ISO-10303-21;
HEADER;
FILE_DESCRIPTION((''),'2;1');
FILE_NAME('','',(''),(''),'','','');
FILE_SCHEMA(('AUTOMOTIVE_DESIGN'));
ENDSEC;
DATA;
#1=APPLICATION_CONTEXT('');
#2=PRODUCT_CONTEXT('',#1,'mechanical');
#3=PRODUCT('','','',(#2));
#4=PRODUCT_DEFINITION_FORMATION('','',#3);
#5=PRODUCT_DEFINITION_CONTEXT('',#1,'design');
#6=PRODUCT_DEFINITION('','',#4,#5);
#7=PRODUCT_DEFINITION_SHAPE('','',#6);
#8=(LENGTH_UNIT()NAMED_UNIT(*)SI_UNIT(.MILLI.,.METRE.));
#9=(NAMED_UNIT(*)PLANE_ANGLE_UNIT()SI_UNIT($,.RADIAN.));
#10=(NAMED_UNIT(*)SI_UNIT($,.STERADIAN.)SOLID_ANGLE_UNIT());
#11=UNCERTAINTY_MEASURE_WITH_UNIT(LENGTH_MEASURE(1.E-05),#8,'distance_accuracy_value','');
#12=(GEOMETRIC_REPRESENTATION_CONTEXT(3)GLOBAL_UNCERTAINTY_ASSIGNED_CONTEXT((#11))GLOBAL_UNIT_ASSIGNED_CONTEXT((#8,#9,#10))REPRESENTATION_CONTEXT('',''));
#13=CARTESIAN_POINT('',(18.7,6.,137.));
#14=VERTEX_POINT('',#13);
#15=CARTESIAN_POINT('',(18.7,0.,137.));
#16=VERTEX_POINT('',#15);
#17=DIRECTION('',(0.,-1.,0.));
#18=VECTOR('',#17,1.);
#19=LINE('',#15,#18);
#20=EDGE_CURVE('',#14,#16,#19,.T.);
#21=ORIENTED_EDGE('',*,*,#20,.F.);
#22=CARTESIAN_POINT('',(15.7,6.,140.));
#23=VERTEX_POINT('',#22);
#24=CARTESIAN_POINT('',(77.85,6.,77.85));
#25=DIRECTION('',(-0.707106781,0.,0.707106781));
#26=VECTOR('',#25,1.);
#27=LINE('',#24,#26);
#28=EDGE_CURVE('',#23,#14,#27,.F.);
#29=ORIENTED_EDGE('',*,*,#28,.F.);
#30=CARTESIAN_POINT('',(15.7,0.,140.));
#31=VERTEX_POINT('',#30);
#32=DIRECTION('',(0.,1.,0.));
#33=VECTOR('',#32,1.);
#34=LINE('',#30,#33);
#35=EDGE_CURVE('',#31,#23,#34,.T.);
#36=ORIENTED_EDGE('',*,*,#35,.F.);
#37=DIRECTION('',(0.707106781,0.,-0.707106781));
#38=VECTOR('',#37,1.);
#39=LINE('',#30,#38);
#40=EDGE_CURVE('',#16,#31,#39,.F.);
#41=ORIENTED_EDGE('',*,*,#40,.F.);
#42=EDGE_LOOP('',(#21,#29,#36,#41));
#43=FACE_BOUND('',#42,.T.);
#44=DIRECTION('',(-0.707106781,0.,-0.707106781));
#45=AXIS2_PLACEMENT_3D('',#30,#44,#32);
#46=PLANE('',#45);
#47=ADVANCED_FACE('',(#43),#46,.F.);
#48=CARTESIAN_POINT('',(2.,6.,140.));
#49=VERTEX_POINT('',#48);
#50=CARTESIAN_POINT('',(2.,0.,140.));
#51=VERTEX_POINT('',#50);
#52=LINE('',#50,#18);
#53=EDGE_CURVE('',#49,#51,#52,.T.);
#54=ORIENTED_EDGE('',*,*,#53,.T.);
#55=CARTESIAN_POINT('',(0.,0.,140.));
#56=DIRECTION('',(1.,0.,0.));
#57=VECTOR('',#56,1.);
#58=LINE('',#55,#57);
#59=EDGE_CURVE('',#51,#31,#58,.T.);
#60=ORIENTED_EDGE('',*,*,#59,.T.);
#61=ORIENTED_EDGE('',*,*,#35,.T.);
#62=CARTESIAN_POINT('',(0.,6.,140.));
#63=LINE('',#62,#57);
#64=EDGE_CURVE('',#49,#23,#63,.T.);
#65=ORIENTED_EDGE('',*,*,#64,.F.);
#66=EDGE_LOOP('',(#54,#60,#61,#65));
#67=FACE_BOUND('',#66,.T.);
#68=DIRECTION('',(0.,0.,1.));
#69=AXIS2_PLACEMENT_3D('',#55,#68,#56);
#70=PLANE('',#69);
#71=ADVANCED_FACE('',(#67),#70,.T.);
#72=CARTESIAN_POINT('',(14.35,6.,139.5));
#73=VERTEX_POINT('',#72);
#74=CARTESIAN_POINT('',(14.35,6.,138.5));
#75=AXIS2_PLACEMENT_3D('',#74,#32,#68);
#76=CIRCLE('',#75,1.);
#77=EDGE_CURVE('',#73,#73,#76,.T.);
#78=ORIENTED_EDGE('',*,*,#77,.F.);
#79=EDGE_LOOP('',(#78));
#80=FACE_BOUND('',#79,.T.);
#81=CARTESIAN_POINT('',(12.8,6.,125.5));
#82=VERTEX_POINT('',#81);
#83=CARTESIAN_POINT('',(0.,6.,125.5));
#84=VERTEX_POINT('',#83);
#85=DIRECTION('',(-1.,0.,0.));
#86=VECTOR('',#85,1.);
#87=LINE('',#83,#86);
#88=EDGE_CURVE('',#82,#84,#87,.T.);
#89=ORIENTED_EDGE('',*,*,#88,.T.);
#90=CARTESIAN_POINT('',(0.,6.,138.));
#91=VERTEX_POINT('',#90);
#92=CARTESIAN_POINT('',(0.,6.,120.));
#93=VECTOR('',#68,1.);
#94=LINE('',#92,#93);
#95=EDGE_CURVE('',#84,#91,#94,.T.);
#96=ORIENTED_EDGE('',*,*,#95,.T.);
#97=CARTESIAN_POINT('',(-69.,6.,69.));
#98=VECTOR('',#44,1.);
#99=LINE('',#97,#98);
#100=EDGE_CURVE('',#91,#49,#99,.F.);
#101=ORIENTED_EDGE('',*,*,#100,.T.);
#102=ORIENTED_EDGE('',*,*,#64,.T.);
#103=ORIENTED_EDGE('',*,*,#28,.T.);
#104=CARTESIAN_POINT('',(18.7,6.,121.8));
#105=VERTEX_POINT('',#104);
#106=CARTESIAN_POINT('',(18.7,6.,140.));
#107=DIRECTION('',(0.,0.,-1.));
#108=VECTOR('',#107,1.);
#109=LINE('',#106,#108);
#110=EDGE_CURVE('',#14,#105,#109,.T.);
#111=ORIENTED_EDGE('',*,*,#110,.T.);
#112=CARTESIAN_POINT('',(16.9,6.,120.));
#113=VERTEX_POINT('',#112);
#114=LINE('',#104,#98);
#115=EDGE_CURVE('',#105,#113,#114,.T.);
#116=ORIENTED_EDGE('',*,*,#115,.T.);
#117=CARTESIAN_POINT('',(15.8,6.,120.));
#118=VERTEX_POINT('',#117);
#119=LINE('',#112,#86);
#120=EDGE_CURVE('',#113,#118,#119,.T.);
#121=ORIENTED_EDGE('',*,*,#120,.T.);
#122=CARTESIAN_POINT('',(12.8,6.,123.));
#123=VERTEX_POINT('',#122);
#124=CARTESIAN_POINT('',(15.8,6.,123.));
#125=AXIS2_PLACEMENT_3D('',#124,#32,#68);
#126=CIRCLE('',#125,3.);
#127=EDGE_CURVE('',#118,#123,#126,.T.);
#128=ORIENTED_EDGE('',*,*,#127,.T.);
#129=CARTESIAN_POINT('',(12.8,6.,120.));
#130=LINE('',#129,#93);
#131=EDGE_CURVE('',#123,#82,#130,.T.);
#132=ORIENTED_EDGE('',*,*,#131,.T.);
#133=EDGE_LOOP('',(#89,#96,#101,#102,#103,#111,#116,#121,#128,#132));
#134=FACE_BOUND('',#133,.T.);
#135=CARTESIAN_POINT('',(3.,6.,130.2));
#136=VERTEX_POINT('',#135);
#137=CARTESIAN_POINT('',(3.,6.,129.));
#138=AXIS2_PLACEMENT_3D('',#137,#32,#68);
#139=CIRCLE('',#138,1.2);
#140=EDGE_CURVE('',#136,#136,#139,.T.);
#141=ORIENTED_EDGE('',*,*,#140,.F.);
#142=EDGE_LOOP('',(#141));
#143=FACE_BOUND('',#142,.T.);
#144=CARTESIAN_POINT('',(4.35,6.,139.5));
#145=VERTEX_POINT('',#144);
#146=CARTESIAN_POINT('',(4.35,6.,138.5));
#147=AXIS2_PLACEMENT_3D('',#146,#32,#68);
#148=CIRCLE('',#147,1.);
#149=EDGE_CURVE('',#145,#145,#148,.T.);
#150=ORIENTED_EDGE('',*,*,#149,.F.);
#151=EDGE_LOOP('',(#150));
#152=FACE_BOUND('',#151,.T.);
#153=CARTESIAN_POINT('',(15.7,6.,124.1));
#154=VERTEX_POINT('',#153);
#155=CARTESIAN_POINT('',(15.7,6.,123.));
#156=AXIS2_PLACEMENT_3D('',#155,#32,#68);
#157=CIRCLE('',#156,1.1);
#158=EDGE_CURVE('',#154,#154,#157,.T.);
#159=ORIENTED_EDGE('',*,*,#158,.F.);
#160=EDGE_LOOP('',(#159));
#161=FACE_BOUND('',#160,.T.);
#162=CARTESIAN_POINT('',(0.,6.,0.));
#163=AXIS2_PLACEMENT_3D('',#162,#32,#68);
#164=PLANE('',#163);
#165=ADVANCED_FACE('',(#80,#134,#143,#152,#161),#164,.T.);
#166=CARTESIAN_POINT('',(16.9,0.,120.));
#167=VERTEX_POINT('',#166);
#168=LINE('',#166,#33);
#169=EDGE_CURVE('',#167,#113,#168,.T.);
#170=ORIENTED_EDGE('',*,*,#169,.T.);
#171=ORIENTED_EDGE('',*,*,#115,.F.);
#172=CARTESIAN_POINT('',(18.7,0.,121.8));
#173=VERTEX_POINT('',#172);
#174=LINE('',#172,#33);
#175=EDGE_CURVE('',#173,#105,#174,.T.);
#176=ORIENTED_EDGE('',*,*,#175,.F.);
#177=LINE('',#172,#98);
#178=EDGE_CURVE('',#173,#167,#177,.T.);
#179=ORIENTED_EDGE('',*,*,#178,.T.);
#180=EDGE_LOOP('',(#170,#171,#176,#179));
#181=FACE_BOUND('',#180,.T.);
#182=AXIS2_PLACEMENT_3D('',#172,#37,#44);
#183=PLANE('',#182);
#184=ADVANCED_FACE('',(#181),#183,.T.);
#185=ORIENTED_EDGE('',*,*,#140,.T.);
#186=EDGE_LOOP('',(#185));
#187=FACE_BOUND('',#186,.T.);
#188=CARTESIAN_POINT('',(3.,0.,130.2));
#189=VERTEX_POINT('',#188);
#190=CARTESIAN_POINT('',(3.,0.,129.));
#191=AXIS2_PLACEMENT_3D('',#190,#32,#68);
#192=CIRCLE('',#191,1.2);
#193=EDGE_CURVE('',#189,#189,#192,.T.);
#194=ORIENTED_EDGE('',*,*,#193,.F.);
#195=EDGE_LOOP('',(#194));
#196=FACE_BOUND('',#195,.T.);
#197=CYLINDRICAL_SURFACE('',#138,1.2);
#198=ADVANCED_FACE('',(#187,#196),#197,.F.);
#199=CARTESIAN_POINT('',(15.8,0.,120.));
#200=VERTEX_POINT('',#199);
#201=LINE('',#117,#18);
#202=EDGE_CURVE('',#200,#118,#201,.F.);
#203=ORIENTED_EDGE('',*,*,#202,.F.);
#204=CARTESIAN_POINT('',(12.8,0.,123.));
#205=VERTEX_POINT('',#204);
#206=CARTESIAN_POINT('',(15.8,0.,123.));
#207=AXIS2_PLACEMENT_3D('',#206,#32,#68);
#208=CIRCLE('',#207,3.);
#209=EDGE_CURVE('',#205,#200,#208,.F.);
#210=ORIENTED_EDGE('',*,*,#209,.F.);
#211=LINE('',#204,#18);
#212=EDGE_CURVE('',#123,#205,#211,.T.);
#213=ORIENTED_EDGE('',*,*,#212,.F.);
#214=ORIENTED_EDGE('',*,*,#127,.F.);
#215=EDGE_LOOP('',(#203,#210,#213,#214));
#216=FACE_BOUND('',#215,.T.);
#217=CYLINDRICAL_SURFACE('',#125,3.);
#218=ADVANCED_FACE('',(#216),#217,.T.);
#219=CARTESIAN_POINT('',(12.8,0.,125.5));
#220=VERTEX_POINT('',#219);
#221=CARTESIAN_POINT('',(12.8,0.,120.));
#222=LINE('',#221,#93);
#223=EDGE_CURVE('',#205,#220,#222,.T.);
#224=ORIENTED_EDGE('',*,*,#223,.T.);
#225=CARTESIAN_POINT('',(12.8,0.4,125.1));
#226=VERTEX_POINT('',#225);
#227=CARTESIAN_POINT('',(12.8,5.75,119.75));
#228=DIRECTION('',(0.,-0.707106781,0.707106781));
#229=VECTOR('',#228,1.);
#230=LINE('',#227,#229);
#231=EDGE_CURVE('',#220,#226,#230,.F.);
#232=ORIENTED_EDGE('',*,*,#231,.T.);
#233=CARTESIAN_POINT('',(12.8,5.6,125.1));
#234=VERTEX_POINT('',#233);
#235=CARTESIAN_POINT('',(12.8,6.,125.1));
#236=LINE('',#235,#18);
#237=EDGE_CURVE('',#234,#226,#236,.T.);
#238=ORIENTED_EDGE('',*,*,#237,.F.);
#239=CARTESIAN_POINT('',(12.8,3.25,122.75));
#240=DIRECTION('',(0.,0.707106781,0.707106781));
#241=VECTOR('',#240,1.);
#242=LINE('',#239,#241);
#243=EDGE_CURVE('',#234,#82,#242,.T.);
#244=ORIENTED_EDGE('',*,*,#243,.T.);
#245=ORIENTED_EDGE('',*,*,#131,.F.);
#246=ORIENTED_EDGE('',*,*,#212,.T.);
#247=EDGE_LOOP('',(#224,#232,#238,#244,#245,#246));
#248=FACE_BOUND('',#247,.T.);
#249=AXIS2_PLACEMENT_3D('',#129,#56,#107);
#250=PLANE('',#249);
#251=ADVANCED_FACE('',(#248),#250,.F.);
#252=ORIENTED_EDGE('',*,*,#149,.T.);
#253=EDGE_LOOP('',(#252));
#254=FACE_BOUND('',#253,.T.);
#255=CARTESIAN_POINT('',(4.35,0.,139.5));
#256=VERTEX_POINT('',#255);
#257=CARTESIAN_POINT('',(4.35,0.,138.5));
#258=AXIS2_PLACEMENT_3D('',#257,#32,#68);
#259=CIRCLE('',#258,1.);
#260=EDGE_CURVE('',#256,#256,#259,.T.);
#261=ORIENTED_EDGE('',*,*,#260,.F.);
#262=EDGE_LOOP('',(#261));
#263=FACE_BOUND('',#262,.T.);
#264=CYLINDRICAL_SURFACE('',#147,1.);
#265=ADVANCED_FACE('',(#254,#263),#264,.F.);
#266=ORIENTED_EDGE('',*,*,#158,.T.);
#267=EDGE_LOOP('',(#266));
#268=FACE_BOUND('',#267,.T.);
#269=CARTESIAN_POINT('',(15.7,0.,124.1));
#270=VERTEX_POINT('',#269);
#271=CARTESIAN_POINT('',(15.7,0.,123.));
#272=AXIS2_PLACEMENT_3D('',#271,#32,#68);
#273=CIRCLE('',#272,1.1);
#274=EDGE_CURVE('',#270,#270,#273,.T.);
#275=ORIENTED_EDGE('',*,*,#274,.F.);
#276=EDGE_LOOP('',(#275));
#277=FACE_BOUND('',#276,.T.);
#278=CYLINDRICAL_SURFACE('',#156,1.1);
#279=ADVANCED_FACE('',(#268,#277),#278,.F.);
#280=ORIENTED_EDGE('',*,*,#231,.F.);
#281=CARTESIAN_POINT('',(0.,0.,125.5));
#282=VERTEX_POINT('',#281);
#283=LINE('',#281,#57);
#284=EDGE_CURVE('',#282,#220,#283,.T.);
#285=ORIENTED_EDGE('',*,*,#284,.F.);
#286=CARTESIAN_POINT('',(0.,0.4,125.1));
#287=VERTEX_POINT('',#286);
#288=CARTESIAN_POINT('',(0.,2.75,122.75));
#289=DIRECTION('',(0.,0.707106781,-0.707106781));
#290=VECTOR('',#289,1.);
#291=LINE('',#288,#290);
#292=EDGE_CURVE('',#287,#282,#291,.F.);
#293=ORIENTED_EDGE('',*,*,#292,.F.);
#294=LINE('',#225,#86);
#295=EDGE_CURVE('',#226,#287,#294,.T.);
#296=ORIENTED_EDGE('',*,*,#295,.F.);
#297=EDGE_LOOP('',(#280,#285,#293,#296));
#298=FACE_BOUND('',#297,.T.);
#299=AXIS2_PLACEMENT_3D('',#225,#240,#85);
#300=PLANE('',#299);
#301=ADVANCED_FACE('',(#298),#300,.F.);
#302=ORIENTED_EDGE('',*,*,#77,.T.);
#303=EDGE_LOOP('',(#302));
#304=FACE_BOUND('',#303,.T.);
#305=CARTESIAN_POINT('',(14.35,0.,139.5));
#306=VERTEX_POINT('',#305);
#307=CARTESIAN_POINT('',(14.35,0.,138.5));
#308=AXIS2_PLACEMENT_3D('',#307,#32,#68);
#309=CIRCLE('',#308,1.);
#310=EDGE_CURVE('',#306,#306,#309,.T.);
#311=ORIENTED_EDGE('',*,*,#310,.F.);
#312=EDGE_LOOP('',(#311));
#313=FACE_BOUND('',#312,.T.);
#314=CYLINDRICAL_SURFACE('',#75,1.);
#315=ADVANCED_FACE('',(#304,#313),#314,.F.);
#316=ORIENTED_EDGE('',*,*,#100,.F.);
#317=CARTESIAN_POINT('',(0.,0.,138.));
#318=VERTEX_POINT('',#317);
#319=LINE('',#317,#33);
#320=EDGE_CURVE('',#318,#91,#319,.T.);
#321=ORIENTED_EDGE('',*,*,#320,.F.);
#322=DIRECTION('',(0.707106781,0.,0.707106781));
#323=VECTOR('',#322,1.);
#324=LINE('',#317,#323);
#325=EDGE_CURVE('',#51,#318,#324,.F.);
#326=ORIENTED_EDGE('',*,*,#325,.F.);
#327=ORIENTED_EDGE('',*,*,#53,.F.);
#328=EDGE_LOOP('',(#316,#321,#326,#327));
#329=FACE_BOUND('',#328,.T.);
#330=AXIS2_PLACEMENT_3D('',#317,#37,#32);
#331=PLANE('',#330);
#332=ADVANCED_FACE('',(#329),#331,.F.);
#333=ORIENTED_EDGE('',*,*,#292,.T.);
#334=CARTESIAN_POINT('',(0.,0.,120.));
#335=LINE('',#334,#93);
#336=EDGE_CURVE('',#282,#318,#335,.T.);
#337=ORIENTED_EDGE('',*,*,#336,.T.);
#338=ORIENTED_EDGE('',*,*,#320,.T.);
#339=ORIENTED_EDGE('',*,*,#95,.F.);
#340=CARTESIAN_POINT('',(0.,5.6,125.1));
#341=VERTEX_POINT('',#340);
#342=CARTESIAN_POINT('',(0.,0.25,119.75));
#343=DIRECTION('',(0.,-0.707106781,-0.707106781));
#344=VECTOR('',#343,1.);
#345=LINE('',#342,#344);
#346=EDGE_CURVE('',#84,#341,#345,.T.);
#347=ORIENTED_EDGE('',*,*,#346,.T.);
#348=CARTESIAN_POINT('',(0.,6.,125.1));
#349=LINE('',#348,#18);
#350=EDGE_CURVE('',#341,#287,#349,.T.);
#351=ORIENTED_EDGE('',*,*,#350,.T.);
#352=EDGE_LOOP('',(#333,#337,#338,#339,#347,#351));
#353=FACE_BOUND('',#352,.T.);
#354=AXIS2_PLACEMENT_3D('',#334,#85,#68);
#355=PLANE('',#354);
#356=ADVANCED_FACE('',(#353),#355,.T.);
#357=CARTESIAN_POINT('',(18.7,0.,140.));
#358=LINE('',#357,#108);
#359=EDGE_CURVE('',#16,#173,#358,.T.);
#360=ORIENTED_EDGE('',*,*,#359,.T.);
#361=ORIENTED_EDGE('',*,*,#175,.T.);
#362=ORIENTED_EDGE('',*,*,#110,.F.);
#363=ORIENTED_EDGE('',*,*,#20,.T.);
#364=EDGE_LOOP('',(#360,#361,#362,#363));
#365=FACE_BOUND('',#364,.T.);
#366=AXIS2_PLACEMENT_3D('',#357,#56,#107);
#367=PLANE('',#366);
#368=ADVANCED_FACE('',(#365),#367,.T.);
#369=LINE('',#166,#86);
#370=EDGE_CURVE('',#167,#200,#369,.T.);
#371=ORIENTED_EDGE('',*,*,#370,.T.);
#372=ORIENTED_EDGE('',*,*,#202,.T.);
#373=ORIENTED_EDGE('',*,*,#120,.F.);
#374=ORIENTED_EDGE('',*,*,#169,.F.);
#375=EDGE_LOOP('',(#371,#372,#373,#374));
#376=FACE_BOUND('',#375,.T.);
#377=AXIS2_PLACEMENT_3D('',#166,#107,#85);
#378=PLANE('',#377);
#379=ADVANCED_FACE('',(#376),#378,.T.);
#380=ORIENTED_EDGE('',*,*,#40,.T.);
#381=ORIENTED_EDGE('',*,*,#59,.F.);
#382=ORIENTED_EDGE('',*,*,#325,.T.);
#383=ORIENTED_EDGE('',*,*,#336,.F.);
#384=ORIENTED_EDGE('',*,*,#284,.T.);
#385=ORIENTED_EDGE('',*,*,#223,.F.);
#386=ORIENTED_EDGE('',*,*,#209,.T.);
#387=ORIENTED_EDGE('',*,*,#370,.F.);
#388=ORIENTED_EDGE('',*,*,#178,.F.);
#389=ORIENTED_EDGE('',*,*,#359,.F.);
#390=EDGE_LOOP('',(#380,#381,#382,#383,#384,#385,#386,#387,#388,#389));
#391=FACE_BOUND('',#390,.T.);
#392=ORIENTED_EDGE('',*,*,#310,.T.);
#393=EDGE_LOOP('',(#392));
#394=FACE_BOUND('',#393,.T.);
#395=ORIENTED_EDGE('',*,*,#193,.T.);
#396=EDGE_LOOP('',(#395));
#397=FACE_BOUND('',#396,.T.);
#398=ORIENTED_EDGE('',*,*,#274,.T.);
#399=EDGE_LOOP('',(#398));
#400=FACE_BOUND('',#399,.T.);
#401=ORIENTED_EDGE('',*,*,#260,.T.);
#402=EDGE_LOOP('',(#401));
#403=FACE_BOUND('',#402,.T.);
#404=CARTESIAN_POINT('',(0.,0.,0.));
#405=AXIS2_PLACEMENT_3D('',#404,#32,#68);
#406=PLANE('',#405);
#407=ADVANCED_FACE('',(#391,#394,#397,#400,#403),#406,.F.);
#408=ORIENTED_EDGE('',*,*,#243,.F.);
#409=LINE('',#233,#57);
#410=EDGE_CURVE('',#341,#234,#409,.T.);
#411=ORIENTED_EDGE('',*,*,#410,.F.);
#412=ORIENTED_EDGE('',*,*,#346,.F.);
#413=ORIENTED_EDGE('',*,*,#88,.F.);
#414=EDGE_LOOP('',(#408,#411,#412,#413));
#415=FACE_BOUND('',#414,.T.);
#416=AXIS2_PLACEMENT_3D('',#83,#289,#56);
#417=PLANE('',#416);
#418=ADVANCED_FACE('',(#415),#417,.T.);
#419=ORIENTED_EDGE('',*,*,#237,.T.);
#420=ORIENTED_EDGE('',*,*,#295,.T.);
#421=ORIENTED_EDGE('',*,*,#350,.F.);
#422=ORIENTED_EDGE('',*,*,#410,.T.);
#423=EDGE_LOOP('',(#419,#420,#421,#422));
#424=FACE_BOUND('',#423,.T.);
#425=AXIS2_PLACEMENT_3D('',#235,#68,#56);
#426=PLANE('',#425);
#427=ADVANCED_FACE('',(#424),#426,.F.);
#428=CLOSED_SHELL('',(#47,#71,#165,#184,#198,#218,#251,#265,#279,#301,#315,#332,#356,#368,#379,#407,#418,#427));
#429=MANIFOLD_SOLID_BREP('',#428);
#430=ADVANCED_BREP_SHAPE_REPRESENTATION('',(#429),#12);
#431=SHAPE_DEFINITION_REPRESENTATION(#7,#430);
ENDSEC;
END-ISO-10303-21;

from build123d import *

# Parameters (mm, degrees)
BOSS_EXTRUDE1_DEPTH   = 6
SKETCH2_W             = 12.8
SKETCH2_H             = 5.1
CUT_EXTRUDE1_DEPTH    = 142.370753694
F_1_CLEARANCE_HOLE1_D = 2
F_2_CLEARANCE_HOLE1_D = 2.4
F_1_CLEARANCE_HOLE2_D = 2.2
CHAMFER1_SIZE         = 0.4
CHAMFER2_SIZE         = 3
CHAMFER3_SIZE         = 2
FILLET1_R             = 3


with BuildPart() as part:
    # Sketch1 → Boss-Extrude1 (new body)
    with BuildSketch(Plane(origin=(0, 6, 0), x_dir=(1, 0, 0), z_dir=(0, 1, 0))):
        Polygon((16.9, -120), (0, -120), (0, -140), (18.7, -140), (18.7, -121.8), align=None)
    extrude(amount=-BOSS_EXTRUDE1_DEPTH)

    # Sketch2 → Cut-Extrude1 (cut, through all)
    with BuildSketch(Plane.XZ):
        with Locations((6.4, 122.55)):
            Rectangle(SKETCH2_W, SKETCH2_H)
    extrude(amount=-CUT_EXTRUDE1_DEPTH, mode=Mode.SUBTRACT)

    # #1 Clearance Hole1 (through all)
    with Locations(Plane(origin=(0, 6, 0), x_dir=(1, 0, 0), z_dir=(0, 1, 0))):
        with Locations((14.35, -138.5), (4.35, -138.5)):
            Hole(F_1_CLEARANCE_HOLE1_D / 2)

    # #2 Clearance Hole1 (through all)
    with Locations(Plane(origin=(0, 6, 0), x_dir=(1, 0, 0), z_dir=(0, 1, 0))):
        with Locations((3, -129)):
            Hole(F_2_CLEARANCE_HOLE1_D / 2)

    # #1 Clearance Hole2 (through all)
    with Locations(Plane(origin=(0, 6, 0), x_dir=(1, 0, 0), z_dir=(0, 1, 0))):
        with Locations((15.7, -123)):
            Hole(F_1_CLEARANCE_HOLE2_D / 2)

    # Chamfer1
    chamfer1_edges = [part.edges().sort_by_distance(p)[0] for p in [
        (6.4, 6, 125.1),
        (6.4, 0, 125.1),
    ]]
    chamfer(chamfer1_edges, length=CHAMFER1_SIZE)

    # Chamfer2
    chamfer2_edges = [part.edges().sort_by_distance(p)[0] for p in [
        (18.7, 3, 140),
    ]]
    chamfer(chamfer2_edges, length=CHAMFER2_SIZE)

    # Chamfer3
    chamfer3_edges = [part.edges().sort_by_distance(p)[0] for p in [
        (0, 3, 140),
    ]]
    chamfer(chamfer3_edges, length=CHAMFER3_SIZE)

    # Fillet1
    fillet1_edges = [part.edges().sort_by_distance(p)[0] for p in [
        (12.8, 3, 120),
    ]]
    fillet(fillet1_edges, radius=FILLET1_R)


solid = part.part
